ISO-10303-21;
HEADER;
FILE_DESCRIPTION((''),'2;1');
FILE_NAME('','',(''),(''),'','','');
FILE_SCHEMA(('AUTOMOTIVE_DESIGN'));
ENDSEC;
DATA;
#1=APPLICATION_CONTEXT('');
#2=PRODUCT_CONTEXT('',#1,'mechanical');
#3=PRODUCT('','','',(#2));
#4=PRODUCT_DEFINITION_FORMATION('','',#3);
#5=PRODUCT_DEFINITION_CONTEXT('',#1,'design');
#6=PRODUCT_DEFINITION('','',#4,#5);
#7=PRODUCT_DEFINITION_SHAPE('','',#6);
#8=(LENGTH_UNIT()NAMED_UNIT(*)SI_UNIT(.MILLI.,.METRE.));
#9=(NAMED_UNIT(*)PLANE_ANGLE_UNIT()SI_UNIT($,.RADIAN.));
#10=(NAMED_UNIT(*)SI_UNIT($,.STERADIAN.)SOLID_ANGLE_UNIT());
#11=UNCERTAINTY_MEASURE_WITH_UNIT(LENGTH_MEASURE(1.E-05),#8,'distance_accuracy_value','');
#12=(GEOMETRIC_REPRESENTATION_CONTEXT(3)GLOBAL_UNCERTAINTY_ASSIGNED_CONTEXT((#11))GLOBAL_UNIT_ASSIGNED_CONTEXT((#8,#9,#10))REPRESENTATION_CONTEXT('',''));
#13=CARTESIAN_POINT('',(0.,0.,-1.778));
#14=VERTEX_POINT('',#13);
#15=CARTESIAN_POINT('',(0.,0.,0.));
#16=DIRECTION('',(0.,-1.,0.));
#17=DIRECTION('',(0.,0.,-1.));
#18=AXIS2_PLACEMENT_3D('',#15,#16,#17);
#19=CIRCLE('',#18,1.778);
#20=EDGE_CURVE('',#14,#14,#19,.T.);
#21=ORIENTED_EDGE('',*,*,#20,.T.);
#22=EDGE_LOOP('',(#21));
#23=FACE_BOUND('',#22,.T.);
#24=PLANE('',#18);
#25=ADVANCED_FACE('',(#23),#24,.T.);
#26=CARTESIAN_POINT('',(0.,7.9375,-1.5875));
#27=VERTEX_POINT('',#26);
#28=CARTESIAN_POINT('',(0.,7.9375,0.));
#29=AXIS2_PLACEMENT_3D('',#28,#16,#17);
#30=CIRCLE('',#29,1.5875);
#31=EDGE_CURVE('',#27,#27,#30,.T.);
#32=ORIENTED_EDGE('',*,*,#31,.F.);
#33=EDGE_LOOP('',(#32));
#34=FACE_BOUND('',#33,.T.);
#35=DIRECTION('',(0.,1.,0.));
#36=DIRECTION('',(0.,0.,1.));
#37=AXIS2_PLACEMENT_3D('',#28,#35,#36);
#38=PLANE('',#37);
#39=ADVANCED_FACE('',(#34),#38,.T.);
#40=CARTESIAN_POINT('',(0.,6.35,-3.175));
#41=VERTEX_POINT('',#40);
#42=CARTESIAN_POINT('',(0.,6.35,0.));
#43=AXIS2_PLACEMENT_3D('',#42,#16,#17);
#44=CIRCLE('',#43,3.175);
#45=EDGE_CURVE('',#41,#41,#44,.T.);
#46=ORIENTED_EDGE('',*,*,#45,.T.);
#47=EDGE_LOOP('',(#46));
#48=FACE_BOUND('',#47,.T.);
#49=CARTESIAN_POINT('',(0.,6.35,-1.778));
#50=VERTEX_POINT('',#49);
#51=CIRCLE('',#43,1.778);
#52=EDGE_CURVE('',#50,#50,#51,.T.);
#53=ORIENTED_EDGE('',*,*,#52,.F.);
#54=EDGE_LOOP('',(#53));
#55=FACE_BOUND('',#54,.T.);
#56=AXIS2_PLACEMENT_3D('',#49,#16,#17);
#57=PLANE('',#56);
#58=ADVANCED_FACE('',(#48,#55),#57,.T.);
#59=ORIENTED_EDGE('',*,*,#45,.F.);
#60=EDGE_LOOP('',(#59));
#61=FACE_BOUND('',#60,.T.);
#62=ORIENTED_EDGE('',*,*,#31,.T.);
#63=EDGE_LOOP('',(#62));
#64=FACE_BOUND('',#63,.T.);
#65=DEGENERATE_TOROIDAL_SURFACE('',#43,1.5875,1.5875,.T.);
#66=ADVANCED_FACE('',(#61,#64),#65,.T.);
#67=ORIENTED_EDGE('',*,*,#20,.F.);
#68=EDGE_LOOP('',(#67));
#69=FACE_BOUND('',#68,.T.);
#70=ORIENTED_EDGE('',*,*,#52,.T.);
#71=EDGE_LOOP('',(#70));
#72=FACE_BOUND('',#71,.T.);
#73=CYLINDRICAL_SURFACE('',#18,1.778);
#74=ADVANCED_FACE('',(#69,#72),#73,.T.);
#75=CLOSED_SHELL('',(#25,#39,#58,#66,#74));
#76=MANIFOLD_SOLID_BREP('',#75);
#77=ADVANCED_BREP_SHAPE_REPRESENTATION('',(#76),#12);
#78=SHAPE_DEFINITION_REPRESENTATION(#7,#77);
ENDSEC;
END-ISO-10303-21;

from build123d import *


with BuildPart() as part:
    # Sketch1 → Revolve1 (revolve)
    with BuildSketch(Plane(origin=(0, 0, 0), x_dir=(0, 0, -1), z_dir=(1, 0, 0))):
        with BuildLine():
            Line((0, 0), (1.778, 0))
            Line((1.778, 0), (1.778, 6.35))
            Line((1.778, 6.35), (3.175, 6.35))
            ThreePointArc((3.175, 6.35), (2.710032015, 7.472532015), (1.5875, 7.9375))
            Line((1.5875, 7.9375), (0, 7.9375))
            Line((0, 7.9375), (0, 0))
        make_face()
    revolve(axis=Axis((0, 0, 0), (0, 1, 0)))


solid = part.part
